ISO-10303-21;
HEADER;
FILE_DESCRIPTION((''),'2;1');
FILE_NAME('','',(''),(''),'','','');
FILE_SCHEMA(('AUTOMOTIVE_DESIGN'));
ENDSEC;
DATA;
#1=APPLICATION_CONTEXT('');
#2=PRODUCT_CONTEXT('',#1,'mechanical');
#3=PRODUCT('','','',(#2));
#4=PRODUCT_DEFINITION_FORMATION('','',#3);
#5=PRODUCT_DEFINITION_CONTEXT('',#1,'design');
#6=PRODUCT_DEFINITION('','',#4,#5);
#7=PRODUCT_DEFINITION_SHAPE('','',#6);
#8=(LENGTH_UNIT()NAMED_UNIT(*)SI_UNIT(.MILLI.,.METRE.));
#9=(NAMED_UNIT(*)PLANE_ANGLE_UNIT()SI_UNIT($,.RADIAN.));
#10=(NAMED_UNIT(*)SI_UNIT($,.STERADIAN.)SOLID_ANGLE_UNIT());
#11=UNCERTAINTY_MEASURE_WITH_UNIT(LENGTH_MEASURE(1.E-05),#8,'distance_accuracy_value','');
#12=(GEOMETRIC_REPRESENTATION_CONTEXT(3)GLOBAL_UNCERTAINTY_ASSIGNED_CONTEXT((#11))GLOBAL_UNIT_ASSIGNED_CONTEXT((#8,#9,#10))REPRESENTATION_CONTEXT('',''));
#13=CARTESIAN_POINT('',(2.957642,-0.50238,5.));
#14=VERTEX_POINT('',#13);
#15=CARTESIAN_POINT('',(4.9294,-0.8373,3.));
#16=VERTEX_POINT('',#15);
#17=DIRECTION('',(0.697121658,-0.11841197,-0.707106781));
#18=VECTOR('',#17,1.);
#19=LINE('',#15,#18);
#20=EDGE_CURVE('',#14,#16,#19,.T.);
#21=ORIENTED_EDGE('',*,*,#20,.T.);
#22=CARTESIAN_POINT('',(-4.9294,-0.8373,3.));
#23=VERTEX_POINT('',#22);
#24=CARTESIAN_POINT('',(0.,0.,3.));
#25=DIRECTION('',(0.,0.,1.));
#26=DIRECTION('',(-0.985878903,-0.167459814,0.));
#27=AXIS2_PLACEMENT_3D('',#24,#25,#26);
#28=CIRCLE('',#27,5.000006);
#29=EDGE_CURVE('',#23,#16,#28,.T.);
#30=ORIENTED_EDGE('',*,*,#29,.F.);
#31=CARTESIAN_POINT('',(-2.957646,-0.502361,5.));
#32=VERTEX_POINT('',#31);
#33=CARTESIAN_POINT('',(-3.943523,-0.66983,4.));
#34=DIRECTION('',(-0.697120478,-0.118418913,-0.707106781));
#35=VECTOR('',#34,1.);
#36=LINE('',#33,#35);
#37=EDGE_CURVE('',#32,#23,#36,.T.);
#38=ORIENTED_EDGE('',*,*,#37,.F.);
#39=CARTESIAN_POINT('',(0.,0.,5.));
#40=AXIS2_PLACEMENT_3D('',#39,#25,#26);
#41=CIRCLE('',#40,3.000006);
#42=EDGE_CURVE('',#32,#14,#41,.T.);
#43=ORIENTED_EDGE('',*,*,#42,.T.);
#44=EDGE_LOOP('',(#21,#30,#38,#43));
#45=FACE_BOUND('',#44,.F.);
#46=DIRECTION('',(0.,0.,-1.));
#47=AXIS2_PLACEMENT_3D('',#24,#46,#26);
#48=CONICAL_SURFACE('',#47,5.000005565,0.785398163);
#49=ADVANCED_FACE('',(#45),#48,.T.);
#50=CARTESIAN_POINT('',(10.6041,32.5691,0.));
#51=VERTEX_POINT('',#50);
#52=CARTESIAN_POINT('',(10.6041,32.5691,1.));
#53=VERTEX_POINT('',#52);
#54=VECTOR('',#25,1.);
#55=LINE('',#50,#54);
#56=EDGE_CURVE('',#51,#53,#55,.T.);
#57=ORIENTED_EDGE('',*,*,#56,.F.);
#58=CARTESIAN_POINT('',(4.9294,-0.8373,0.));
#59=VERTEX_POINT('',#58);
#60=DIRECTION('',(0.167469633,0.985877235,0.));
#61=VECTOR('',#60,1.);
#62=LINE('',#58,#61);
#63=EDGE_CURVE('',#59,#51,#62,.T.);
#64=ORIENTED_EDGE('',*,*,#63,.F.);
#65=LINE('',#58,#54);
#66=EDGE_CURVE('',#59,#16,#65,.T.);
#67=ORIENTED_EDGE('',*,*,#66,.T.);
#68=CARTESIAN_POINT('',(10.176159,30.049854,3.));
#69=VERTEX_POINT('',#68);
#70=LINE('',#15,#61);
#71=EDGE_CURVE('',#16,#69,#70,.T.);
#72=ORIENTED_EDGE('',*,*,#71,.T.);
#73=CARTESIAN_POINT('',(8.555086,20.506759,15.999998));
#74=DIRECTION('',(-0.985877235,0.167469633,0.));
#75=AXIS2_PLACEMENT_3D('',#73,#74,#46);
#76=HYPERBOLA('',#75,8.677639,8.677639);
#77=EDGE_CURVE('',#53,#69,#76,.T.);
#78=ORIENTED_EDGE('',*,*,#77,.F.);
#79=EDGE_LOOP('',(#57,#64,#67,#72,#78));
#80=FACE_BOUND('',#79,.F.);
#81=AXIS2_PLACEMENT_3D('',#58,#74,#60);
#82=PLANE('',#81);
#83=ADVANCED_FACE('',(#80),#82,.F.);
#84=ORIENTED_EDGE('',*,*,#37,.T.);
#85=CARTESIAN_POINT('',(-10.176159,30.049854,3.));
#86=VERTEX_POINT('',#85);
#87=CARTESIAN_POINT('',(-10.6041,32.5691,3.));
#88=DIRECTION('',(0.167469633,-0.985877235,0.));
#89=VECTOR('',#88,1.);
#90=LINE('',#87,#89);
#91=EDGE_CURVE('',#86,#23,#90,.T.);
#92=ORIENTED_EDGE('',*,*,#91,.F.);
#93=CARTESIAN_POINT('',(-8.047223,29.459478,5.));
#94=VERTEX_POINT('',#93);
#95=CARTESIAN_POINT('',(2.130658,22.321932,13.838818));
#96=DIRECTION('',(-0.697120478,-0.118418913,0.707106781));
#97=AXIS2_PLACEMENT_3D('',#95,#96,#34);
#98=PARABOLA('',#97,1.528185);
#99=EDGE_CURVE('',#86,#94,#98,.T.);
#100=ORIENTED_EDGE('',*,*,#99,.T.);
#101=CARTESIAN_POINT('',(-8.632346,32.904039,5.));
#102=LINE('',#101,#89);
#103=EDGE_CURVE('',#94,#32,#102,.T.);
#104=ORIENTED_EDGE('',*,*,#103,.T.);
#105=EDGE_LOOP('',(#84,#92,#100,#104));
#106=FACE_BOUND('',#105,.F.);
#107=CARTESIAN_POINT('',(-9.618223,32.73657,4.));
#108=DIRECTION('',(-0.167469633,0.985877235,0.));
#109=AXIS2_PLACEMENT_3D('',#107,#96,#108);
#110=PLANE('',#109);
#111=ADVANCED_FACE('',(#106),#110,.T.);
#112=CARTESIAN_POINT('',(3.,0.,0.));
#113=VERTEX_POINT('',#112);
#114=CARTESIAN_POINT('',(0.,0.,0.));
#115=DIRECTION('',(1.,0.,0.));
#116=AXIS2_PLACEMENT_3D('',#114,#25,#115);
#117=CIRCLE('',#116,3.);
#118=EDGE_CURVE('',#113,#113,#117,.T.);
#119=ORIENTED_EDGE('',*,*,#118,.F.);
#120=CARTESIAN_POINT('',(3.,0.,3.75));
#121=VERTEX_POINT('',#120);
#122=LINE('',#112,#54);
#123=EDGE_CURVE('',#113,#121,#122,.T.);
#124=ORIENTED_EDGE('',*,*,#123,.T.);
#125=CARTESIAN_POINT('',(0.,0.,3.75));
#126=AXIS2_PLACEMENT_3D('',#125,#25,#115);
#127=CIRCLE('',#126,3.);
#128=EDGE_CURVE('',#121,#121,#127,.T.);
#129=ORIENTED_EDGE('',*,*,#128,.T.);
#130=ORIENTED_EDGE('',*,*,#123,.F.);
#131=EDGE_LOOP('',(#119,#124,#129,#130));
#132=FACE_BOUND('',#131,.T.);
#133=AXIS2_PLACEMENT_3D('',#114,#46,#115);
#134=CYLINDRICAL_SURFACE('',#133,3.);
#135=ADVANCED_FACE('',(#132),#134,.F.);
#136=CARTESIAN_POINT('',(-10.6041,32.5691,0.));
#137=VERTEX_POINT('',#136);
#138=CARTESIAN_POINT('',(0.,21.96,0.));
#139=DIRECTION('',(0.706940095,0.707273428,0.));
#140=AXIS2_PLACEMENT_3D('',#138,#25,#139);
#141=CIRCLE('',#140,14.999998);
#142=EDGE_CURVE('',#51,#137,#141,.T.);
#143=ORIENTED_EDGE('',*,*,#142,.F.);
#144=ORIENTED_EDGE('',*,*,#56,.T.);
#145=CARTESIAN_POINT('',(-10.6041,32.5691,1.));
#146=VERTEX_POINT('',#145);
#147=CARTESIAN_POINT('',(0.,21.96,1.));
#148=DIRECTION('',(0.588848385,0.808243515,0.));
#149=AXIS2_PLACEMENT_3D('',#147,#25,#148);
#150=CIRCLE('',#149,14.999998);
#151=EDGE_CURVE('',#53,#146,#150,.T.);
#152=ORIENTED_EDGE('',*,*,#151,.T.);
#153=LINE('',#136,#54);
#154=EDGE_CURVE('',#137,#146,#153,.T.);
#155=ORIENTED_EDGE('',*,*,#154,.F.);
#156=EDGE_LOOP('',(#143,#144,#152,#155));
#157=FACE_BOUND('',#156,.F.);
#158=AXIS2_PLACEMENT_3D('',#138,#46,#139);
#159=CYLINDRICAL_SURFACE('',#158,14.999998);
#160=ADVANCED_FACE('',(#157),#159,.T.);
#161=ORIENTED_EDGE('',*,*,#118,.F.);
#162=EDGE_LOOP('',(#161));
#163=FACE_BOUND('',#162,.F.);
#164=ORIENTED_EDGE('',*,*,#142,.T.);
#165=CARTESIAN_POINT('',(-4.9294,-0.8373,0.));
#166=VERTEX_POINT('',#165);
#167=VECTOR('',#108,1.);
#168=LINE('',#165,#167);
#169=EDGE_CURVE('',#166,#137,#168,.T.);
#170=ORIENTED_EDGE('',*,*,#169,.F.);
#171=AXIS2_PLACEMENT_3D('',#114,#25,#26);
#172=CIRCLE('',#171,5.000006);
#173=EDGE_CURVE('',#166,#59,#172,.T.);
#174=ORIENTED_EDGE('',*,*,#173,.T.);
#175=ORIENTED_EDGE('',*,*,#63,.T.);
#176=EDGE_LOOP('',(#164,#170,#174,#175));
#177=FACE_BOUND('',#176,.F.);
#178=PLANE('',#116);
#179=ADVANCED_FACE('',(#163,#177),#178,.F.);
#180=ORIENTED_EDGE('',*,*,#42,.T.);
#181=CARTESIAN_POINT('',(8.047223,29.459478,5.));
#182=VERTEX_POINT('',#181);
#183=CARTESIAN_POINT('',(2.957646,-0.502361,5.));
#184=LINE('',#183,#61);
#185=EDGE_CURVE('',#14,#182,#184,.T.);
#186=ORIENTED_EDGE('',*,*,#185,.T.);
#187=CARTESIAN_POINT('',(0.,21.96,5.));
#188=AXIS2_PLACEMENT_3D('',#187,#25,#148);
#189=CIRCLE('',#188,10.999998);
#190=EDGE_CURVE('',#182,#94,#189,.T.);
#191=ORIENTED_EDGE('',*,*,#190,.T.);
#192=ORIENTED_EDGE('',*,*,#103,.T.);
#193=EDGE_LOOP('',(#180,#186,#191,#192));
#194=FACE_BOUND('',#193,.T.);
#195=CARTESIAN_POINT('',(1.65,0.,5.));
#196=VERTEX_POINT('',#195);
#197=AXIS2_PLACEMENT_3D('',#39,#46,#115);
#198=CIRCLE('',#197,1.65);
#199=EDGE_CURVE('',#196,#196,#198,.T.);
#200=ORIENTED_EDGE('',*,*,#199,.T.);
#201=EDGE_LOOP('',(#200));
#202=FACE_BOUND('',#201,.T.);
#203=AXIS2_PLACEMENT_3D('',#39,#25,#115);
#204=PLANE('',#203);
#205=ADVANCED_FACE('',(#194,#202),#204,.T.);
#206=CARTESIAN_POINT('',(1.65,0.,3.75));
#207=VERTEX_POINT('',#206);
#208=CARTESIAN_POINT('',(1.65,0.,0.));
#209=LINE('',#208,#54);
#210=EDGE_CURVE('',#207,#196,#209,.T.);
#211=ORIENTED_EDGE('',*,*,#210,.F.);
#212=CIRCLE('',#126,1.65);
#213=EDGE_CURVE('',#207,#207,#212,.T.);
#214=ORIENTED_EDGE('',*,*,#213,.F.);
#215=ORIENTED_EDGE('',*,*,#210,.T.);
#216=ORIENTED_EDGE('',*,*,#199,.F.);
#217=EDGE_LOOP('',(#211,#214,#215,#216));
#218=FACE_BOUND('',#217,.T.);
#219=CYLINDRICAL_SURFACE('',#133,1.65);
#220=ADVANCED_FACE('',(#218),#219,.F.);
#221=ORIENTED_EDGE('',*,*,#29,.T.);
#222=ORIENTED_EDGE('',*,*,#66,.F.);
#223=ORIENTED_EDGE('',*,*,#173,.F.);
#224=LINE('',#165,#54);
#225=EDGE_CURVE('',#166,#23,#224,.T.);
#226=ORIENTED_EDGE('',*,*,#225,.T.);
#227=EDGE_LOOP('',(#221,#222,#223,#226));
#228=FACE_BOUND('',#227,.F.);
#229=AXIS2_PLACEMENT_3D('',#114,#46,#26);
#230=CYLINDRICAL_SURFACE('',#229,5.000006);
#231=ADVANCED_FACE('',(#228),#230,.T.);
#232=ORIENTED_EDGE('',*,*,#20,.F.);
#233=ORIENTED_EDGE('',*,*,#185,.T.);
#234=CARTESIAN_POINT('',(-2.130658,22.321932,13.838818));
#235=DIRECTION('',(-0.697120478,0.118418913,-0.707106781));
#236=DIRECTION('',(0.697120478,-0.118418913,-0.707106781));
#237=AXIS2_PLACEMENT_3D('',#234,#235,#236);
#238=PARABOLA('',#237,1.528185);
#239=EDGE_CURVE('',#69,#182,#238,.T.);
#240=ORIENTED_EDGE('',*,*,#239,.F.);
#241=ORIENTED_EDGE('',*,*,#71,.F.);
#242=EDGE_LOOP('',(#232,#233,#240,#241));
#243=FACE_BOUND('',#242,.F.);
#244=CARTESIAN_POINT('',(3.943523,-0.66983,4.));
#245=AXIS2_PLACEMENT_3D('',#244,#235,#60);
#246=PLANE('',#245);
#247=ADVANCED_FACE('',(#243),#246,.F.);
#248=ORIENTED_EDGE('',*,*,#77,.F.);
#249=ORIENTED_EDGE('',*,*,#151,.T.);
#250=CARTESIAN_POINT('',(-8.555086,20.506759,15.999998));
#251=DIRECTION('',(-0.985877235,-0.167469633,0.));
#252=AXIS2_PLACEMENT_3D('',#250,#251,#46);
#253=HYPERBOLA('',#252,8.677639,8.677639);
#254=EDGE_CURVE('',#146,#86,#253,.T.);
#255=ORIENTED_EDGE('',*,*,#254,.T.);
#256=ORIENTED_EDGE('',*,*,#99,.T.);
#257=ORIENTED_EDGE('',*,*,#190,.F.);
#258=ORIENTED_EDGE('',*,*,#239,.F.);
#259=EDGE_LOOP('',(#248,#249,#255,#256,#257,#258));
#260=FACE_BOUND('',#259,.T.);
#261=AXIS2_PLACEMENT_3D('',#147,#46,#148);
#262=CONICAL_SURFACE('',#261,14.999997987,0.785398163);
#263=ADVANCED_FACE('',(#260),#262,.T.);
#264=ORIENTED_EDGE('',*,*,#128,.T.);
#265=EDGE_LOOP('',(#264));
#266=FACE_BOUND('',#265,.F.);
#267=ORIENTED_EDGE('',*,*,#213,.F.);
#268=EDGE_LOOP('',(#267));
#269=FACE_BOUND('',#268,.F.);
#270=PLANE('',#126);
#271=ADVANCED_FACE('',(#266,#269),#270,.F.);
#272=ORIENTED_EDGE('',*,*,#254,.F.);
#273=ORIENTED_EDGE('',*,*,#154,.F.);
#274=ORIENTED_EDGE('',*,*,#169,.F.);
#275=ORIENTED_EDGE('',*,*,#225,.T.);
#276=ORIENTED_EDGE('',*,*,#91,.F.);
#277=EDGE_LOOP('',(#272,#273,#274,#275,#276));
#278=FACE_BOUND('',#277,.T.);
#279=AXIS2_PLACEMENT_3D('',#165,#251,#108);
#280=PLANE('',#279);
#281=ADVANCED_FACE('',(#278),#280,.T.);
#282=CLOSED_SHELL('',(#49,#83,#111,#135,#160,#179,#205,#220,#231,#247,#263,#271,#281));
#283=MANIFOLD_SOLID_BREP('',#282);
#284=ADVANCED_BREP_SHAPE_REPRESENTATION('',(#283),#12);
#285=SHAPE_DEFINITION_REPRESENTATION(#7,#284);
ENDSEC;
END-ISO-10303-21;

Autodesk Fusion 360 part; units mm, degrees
sketch "Esboço1" plane through (0, 0, 0) normal (0, 0, 1) x (1, 0, 0)
  line L0 (0, 5) -> (0, 6.96) construction
  line L1 (-4.9294, -0.8373) -> (-10.6041, 32.5691)
  line L2 (4.9294, -0.8373) -> (10.6041, 32.5691)
  arc A0 (10.6041, 32.5691) -> (-10.6041, 32.5691) centre (0, 21.96) ccw
  arc A1 (-4.9294, -0.8373) -> (4.9294, -0.8373) centre (0, 0) ccw
  circle A2 centre (0, 0) radius 3
  circle A3 centre (0, 0) radius 1.65
  dimension "d1" = 10
  dimension "d2" = 21.96
  dimension "d3" = 30
  dimension "d4" = 33.885
  dimension "d5" = 33.885
  dimension "d8" = 6
  dimension "d9" = 3.3
extrude "Extrusão1" add sketch "Esboço1" along normal blind 5 contours L1 L2 A0 A1 | A2 | A3
extrude "Extrusão2" cut sketch "Esboço1" along normal blind 28 contours A3
extrude "Extrusão3" cut sketch "Esboço1" along normal blind 3.75 contours A2
chamfer "Chanfro1" distance 2 angle 45 2 edges at (7.7667, 15.8659, 5) (-7.7667, 15.8659, 5)
chamfer "Chanfro2" distance 4 angle 45 1 edges at (0, 36.96, 5)
